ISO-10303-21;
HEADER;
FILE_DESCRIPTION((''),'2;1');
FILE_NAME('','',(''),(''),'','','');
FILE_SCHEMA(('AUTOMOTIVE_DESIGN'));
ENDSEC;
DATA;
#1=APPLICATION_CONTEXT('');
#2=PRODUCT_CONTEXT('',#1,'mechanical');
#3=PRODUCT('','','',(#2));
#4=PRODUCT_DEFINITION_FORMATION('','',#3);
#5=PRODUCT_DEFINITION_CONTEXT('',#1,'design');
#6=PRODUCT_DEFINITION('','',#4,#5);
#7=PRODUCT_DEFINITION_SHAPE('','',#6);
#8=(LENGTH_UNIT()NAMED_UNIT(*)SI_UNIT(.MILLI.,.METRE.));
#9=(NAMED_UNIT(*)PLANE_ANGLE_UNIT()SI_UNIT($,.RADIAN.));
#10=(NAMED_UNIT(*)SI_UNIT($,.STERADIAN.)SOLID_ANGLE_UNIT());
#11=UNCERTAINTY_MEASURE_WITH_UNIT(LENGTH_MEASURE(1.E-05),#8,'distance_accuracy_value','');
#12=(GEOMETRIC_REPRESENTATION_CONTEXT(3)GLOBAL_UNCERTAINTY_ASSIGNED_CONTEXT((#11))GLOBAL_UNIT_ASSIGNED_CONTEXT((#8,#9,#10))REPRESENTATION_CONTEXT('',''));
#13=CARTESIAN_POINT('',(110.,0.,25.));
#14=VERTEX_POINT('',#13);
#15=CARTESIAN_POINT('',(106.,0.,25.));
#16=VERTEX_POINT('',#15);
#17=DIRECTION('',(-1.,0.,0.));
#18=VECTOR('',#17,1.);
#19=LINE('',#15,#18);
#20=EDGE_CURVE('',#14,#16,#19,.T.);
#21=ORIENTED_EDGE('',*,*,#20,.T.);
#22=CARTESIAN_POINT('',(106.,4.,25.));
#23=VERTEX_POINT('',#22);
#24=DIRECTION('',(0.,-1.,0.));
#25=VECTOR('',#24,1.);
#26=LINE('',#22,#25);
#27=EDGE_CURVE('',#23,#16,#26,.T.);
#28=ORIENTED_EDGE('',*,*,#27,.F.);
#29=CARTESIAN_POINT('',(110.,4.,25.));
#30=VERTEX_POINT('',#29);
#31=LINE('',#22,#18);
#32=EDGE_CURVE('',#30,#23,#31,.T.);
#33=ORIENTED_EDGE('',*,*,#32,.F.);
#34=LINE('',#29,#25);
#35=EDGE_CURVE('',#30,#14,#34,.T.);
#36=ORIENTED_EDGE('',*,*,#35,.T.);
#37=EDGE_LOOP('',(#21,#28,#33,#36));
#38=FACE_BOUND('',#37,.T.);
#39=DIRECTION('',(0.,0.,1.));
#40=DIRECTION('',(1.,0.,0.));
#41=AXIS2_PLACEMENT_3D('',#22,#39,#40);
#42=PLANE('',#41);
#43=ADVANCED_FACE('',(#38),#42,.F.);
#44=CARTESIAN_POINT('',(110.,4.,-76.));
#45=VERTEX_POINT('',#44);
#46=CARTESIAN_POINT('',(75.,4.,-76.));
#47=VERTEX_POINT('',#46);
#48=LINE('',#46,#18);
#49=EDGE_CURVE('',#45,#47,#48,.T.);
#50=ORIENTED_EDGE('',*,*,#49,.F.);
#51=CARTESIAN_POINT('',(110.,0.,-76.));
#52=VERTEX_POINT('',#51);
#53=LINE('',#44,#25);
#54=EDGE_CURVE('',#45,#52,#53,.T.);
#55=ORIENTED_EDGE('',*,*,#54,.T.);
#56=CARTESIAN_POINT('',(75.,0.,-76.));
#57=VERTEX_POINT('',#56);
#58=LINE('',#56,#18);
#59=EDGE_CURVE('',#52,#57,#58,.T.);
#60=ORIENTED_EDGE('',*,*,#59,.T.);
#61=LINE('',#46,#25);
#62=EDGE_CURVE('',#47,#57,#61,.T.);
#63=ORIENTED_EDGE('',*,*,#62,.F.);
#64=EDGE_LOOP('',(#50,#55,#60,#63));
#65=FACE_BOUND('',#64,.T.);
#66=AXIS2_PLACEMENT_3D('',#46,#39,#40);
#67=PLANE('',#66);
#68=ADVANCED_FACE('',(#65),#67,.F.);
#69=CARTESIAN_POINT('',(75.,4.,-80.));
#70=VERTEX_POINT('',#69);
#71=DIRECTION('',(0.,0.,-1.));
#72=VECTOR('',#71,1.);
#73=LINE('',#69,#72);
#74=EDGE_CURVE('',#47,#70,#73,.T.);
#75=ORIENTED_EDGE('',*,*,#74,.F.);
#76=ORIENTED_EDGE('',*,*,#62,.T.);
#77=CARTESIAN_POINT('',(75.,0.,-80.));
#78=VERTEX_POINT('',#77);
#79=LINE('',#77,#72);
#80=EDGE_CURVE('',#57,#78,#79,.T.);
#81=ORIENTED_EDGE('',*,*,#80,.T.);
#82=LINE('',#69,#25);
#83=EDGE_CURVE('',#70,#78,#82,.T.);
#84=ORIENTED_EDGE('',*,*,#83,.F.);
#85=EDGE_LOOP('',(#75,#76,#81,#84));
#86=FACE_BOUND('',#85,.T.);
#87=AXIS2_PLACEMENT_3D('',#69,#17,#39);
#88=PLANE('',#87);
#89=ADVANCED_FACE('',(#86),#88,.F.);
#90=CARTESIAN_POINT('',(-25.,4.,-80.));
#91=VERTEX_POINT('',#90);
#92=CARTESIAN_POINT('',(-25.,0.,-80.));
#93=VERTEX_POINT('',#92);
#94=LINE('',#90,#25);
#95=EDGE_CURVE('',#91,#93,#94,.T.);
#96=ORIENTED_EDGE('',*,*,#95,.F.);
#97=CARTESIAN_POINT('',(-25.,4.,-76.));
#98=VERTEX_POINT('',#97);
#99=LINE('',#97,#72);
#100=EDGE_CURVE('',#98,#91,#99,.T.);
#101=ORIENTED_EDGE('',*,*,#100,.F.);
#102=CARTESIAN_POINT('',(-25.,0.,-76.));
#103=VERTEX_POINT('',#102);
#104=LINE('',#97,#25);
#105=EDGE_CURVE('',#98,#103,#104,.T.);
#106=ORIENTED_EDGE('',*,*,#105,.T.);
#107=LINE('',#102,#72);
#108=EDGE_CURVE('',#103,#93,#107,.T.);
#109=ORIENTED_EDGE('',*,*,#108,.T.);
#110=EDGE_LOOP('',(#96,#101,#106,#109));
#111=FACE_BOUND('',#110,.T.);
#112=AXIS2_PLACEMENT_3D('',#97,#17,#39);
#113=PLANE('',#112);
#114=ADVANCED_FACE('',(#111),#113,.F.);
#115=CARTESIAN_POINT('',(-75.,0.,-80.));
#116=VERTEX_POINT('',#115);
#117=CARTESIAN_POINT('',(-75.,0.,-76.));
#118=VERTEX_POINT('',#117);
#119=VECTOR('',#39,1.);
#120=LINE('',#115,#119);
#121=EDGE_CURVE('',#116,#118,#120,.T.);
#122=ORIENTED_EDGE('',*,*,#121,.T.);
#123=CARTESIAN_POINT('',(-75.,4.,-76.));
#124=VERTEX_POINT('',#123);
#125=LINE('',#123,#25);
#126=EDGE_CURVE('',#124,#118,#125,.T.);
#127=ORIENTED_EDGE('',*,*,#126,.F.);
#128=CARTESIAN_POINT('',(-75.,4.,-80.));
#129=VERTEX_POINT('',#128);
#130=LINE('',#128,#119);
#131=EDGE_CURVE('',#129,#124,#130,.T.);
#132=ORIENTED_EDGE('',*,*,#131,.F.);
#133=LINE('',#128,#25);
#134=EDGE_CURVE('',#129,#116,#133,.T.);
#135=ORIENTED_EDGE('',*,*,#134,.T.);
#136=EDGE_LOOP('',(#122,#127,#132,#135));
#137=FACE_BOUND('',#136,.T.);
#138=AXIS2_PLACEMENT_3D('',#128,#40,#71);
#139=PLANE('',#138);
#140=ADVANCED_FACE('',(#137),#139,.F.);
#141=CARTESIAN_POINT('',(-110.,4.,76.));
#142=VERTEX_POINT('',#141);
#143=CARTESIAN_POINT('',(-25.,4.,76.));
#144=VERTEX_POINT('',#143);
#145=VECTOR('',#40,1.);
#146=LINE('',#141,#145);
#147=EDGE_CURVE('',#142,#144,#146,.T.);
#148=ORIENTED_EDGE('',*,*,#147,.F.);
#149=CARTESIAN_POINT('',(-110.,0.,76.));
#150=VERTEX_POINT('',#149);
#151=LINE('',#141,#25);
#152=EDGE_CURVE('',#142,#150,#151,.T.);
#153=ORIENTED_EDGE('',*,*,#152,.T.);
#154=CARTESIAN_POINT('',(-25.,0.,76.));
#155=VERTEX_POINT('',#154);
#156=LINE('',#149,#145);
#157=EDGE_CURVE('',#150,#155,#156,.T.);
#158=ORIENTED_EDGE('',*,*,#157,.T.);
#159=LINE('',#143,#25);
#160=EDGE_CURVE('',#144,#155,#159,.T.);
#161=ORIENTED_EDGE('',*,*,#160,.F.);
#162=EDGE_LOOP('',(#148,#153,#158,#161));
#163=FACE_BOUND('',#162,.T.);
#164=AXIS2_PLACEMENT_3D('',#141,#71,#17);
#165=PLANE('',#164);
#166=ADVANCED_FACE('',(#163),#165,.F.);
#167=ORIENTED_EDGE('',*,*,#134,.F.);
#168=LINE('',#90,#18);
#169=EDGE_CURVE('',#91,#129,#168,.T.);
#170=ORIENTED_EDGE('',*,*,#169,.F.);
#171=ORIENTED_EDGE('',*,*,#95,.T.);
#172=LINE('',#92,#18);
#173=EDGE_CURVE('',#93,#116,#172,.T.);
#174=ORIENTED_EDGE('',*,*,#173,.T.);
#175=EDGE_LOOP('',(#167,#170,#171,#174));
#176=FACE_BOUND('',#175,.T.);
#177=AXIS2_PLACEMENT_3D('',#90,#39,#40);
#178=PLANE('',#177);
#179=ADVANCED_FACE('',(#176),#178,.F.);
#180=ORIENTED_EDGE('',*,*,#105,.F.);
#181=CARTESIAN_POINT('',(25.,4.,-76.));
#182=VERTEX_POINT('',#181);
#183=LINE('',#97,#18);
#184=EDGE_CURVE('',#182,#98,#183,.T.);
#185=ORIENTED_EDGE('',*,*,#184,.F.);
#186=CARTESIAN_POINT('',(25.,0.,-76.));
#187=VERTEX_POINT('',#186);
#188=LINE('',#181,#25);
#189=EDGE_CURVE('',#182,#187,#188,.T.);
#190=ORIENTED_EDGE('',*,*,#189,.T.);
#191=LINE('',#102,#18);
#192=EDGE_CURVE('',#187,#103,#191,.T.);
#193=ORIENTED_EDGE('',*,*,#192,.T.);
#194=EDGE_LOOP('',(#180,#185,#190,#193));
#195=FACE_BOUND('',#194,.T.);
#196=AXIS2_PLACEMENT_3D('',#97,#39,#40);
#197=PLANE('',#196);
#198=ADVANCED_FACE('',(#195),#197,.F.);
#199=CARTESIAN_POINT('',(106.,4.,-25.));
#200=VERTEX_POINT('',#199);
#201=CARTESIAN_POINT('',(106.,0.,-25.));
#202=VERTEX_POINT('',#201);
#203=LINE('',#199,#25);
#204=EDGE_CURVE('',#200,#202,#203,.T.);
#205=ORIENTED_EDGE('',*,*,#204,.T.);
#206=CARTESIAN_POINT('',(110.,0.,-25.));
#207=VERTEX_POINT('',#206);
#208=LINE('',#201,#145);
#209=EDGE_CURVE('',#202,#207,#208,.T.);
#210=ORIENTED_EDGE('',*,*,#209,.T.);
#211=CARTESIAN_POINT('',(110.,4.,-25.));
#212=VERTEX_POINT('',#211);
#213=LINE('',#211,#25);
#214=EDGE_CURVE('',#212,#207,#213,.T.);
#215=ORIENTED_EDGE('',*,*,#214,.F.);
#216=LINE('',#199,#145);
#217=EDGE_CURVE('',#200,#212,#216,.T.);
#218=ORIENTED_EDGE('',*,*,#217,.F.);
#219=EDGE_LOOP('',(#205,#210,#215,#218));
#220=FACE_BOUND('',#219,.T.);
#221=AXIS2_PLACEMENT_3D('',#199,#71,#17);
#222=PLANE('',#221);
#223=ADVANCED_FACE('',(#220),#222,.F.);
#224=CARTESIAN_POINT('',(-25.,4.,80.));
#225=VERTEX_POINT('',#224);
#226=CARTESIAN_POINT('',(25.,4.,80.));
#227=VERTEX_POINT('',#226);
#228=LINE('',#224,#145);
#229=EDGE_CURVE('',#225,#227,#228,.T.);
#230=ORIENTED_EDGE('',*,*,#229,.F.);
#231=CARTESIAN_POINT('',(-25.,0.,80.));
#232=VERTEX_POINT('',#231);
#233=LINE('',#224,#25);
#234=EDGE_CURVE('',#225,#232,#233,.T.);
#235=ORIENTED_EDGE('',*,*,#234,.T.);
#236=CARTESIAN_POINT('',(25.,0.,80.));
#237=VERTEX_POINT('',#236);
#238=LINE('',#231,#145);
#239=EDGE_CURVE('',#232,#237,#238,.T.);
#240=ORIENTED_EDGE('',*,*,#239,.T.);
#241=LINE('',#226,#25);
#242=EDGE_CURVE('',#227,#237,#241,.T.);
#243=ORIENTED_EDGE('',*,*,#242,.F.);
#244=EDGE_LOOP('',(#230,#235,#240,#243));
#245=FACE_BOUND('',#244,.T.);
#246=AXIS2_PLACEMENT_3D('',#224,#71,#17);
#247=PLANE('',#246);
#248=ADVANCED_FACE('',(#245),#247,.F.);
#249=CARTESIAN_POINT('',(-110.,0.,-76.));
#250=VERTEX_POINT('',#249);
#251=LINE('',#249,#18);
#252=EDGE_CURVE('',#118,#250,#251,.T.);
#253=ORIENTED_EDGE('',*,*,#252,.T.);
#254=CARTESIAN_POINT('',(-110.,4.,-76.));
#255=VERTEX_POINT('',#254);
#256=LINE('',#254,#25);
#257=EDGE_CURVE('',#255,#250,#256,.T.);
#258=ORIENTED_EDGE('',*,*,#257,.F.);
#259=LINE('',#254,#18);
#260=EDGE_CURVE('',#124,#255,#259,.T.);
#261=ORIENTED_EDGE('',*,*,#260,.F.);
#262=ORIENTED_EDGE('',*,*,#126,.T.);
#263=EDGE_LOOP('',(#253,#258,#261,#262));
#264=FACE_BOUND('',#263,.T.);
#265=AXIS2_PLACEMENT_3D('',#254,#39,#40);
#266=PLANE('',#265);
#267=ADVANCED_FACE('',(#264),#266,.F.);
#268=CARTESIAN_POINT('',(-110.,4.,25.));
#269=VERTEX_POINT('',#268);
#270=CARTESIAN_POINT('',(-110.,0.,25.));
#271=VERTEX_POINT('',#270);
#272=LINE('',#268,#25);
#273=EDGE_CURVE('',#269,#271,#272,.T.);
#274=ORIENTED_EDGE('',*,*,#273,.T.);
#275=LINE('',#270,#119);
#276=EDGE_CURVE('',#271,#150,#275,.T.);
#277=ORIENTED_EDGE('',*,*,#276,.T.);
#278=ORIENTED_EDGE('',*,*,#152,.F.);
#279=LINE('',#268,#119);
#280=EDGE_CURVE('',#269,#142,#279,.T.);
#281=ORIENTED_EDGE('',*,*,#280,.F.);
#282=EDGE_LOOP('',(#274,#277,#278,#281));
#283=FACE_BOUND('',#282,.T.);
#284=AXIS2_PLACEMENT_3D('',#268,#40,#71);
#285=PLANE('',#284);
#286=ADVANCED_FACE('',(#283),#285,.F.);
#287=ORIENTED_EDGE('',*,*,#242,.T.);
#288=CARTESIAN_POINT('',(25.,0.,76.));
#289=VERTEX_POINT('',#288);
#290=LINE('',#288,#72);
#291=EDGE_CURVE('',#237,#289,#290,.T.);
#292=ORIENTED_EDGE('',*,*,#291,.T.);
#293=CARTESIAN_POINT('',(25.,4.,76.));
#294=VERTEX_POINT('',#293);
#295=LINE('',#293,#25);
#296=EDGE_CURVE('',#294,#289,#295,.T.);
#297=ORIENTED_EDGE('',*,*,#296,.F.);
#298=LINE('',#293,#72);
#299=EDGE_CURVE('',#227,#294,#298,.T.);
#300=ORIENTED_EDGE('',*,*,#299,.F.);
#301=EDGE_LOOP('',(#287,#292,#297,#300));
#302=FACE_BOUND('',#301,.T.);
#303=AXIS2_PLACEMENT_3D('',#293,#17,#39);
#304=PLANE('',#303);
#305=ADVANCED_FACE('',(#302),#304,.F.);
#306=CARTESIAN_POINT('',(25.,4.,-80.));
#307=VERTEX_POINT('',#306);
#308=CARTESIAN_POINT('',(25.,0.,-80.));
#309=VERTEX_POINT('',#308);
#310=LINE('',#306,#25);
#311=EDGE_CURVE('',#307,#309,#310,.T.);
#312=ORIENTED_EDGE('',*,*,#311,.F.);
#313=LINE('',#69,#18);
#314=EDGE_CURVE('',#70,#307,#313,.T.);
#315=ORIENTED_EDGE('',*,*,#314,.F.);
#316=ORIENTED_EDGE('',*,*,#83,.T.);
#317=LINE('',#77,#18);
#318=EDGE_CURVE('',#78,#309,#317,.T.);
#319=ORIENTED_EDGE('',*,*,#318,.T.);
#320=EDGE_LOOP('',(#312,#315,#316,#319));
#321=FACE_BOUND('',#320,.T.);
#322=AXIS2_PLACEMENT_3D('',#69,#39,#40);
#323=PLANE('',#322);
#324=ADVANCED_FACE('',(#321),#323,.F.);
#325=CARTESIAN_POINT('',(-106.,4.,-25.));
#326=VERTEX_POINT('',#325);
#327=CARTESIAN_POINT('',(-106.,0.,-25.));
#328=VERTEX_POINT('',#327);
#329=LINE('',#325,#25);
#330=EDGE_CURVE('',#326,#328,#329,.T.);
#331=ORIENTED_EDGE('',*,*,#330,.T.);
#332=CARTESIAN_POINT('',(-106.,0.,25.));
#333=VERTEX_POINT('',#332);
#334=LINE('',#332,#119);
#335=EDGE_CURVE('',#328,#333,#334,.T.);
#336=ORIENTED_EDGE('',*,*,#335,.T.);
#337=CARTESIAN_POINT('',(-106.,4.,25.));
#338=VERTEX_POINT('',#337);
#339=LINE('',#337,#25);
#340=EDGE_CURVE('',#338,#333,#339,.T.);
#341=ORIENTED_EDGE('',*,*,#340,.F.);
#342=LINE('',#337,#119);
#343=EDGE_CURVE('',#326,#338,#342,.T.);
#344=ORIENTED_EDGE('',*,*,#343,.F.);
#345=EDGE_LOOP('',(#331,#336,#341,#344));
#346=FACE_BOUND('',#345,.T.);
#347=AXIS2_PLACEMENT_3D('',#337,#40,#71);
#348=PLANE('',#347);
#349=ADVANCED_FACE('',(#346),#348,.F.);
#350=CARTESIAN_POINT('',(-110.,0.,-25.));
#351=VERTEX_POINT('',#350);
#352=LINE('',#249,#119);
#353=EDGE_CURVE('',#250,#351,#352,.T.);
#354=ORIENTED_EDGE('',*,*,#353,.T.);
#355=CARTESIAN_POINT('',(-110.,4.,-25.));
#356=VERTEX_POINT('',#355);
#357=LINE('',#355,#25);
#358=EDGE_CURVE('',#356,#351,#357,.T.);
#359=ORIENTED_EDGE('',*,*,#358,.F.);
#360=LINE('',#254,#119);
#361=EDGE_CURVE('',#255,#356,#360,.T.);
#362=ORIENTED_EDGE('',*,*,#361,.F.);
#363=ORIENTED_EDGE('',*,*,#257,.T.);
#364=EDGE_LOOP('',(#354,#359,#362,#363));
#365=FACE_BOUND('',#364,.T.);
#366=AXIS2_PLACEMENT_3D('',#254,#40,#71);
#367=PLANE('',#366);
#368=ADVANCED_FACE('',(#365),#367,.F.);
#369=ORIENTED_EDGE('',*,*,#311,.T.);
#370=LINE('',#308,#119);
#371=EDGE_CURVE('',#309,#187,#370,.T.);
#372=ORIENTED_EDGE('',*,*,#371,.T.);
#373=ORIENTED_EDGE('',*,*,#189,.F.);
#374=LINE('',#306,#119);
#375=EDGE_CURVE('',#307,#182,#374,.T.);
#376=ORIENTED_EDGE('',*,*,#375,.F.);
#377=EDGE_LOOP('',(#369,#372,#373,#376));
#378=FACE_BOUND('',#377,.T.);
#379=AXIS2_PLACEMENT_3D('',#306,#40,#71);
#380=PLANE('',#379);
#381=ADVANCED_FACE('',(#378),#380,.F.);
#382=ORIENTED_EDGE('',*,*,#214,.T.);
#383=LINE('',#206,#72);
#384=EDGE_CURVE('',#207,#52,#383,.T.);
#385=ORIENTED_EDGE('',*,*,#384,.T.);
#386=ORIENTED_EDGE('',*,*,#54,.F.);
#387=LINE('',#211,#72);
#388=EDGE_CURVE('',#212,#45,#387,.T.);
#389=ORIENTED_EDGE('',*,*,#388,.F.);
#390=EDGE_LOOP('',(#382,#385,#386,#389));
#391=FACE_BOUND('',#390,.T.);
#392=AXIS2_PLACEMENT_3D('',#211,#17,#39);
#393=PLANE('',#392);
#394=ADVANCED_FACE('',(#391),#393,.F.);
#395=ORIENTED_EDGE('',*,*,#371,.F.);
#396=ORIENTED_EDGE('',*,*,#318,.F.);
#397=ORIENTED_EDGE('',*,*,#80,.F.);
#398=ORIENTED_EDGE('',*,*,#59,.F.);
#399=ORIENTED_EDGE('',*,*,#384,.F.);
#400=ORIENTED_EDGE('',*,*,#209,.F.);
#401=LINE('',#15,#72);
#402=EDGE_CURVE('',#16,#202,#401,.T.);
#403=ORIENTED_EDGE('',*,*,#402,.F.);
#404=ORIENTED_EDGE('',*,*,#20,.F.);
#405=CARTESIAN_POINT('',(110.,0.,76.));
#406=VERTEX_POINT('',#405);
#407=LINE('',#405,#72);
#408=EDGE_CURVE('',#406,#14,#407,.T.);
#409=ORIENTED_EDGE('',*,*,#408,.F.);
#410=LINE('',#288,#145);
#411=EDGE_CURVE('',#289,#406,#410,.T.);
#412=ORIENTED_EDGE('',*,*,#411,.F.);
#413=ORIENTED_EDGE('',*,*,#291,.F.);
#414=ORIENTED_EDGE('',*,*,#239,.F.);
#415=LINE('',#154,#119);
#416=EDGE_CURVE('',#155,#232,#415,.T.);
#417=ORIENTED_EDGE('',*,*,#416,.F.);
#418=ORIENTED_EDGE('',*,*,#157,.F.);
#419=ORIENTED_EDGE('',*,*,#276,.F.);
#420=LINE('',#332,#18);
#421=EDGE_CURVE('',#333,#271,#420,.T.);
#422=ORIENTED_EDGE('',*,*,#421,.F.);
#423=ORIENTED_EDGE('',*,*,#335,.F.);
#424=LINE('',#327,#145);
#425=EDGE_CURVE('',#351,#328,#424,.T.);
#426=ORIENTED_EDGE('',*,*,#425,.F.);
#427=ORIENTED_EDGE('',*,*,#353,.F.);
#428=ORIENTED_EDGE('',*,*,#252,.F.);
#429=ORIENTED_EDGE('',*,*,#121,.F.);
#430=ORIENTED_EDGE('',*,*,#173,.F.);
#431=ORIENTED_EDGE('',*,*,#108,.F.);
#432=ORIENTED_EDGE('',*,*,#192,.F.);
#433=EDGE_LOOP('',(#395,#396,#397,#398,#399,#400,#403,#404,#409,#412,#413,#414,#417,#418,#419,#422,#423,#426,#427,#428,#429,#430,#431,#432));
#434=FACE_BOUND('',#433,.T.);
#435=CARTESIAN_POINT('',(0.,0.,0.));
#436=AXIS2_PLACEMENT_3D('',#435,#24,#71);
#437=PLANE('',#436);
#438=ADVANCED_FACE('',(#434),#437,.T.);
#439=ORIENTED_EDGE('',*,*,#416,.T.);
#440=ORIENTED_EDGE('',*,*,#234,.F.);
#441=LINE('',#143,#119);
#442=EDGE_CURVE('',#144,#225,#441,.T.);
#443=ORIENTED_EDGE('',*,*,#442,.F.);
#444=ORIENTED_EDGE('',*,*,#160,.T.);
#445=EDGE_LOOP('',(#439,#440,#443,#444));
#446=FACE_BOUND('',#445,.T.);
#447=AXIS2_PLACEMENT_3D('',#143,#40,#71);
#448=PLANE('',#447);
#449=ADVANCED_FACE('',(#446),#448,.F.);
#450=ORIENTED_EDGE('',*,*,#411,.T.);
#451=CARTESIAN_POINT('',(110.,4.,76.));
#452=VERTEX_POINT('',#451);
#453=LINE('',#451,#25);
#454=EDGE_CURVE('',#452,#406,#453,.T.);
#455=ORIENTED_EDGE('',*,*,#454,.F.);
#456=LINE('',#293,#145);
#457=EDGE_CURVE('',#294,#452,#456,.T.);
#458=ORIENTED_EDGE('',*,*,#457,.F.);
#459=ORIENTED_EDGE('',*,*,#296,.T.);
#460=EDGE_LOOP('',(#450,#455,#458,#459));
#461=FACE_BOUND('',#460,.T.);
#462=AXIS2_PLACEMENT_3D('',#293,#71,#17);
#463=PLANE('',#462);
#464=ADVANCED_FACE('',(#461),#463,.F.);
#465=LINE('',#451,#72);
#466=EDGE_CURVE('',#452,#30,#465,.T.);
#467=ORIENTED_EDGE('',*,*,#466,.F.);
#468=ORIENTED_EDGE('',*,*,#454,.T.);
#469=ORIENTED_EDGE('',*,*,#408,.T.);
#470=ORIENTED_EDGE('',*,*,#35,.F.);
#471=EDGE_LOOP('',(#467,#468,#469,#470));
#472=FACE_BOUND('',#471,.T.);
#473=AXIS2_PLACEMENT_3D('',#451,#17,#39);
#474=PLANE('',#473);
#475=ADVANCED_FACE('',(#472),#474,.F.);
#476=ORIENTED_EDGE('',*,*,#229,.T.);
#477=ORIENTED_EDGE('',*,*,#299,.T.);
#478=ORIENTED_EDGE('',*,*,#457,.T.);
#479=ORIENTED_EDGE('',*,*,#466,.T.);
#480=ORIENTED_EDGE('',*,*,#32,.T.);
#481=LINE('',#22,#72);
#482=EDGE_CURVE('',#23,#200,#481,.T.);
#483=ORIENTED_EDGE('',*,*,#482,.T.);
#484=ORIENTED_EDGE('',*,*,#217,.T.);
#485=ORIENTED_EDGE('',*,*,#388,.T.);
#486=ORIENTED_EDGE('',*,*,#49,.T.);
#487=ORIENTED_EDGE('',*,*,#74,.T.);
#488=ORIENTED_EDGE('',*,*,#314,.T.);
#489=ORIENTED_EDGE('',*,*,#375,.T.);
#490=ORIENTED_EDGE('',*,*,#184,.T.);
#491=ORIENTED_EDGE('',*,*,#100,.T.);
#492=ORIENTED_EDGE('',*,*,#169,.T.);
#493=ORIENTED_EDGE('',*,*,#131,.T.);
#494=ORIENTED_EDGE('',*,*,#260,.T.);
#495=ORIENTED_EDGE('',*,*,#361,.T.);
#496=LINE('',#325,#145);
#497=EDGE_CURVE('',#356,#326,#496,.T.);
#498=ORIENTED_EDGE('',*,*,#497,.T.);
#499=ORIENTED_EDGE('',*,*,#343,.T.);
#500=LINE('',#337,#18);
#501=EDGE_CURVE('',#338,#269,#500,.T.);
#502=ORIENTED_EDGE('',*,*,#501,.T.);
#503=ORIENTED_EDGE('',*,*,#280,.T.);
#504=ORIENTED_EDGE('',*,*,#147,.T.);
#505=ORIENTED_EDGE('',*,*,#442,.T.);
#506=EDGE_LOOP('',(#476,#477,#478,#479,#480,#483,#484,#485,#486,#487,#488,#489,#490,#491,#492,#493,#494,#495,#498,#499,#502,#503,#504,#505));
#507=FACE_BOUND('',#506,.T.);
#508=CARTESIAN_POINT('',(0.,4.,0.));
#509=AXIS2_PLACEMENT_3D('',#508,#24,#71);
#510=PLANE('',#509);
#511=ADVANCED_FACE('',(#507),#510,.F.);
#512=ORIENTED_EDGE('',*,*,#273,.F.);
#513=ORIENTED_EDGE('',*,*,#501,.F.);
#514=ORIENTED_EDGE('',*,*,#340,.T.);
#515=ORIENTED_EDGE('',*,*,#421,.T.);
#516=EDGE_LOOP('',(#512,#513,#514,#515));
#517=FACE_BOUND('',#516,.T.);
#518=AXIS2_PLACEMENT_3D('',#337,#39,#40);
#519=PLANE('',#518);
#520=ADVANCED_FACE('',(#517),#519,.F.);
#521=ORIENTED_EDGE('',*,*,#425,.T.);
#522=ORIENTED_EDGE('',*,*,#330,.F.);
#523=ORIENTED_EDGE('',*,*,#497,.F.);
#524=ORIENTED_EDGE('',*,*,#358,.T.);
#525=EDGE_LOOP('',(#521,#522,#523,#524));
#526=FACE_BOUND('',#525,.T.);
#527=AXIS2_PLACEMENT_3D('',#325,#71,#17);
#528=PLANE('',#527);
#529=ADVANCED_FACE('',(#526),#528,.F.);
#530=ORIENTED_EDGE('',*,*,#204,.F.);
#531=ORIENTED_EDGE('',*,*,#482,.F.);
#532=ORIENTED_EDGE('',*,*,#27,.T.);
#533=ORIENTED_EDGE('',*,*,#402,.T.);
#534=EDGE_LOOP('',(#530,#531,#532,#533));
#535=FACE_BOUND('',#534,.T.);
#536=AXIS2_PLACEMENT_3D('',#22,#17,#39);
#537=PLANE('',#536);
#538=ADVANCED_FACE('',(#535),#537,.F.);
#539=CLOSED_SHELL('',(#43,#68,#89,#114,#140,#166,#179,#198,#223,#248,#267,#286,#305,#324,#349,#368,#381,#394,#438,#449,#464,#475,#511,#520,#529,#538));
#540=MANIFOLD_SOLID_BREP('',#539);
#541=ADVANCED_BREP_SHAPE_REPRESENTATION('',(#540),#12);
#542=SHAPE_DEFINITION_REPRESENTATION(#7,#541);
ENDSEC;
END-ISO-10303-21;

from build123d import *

# Parameters (mm, degrees)
BOSS_EXTRUDE1_DEPTH = 4


with BuildPart() as part:
    # Sketch3 → Boss-Extrude1 (new body)
    with BuildSketch(Plane(origin=(0, 0, 0), x_dir=(1, 0, 0), z_dir=(0, 1, 0))):
        Polygon((-110, 76), (-110, 25), (-106, 25), (-106, -25), (-110, -25), (-110, -76), (-25, -76), (-25, -80), (25, -80), (25, -76), (110, -76), (110, -25), (106, -25), (106, 25), (110, 25), (110, 76), (75, 76), (75, 80), (25, 80), (25, 76), (-25, 76), (-25, 80), (-75, 80), (-75, 76), align=None)
    extrude(amount=BOSS_EXTRUDE1_DEPTH)


solid = part.part
